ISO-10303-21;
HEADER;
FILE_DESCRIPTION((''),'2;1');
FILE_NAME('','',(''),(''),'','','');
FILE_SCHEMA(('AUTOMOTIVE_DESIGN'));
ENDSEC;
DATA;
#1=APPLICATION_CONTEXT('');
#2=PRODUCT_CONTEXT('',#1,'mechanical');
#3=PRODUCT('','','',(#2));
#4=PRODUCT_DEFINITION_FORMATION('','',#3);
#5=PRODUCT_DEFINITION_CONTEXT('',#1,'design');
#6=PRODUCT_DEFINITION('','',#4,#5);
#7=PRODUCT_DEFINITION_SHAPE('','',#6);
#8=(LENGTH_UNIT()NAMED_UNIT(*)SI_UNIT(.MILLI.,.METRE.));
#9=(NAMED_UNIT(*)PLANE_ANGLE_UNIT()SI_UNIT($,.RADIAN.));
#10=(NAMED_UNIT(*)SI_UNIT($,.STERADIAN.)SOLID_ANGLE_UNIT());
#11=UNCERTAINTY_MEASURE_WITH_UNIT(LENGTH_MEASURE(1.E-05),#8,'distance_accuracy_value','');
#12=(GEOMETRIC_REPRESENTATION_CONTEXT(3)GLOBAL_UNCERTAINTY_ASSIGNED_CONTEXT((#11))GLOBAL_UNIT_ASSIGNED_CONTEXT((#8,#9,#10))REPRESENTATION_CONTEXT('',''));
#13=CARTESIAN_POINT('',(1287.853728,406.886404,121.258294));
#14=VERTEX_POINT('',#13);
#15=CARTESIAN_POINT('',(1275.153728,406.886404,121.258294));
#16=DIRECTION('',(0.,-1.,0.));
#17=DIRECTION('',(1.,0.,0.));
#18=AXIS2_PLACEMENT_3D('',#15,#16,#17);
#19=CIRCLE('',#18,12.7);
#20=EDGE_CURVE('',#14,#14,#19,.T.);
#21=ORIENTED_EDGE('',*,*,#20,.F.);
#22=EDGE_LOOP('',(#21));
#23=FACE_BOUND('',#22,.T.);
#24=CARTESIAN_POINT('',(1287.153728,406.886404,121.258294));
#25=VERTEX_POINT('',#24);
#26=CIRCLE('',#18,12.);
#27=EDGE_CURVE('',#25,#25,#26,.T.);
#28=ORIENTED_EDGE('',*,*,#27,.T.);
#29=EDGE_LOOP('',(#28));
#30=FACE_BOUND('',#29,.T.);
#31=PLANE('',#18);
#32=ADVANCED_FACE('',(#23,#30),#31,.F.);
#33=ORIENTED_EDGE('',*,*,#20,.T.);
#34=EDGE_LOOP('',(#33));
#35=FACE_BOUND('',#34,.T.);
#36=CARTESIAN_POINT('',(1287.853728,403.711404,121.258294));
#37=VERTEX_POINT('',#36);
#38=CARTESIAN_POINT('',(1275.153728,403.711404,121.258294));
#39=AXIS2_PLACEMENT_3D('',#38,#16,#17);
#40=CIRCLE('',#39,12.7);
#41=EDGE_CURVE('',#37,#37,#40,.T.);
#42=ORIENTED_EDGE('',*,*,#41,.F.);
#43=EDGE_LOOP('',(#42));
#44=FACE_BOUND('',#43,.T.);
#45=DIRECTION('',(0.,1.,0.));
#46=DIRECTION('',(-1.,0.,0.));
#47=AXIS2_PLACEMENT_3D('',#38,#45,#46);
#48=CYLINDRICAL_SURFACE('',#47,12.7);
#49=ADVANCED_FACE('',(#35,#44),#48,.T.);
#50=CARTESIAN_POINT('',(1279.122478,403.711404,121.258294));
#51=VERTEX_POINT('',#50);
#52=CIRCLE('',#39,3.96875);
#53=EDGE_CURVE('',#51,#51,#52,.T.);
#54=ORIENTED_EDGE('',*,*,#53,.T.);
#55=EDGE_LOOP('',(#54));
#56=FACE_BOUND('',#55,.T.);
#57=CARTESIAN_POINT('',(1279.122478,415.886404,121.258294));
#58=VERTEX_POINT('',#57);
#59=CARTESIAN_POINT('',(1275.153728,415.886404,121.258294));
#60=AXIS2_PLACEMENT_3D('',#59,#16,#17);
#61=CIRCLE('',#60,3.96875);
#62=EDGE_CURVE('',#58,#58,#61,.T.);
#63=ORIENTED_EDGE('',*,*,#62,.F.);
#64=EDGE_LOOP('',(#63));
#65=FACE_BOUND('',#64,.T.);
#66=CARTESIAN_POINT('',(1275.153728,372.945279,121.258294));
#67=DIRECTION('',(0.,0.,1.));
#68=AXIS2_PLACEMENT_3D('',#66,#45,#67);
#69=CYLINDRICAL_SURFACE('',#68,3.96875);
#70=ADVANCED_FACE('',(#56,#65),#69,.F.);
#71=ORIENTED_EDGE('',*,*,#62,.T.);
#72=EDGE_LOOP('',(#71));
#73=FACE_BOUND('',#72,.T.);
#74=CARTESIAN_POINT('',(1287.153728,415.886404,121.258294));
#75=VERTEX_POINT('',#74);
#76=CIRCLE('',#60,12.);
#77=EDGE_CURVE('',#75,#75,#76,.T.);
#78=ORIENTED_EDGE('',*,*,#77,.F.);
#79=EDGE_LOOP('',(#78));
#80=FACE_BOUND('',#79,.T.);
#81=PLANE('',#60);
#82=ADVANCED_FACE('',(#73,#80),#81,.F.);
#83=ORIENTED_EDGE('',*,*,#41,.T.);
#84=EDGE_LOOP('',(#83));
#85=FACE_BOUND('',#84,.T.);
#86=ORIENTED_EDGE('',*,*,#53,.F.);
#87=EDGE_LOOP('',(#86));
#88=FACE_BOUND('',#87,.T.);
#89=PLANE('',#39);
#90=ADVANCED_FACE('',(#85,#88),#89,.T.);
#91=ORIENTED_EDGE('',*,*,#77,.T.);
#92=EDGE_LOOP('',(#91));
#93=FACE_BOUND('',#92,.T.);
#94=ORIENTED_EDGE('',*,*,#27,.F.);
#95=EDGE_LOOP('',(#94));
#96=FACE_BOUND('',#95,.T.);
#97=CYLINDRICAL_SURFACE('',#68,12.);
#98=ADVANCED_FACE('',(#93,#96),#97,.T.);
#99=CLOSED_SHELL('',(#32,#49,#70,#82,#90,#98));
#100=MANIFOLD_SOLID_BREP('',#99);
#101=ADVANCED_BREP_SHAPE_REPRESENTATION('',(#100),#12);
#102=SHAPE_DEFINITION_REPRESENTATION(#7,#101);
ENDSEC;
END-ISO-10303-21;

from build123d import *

# Parameters (mm, degrees)
BOSS_EXTRUDE1_START = 1
SKETCH1_R           = 12
SKETCH1_R_2         = 3.96875
BOSS_EXTRUDE1_DEPTH = 9
SKETCH2_R           = 12.7
SKETCH2_R_2         = 3.96875
BOSS_EXTRUDE2_DEPTH = 3.175


with BuildPart() as part:
    # Sketch1 → Boss-Extrude1 (new body)
    with BuildSketch(Plane.XZ.offset(-416.886404018).offset(BOSS_EXTRUDE1_START)):
        with Locations((1275.15372842, 121.258293716)):
            Circle(SKETCH1_R)
        with Locations((1275.15372842, 121.258293716)):
            Circle(SKETCH1_R_2, mode=Mode.SUBTRACT)
    extrude(amount=BOSS_EXTRUDE1_DEPTH)

    # Sketch2 → Boss-Extrude2 (add)
    with BuildSketch(Plane.XZ.offset(-406.886404018)):
        with Locations((1275.15372842, 121.258293716)):
            Circle(SKETCH2_R)
        with Locations((1275.15372842, 121.258293716)):
            Circle(SKETCH2_R_2, mode=Mode.SUBTRACT)
    extrude(amount=BOSS_EXTRUDE2_DEPTH)


solid = part.part
